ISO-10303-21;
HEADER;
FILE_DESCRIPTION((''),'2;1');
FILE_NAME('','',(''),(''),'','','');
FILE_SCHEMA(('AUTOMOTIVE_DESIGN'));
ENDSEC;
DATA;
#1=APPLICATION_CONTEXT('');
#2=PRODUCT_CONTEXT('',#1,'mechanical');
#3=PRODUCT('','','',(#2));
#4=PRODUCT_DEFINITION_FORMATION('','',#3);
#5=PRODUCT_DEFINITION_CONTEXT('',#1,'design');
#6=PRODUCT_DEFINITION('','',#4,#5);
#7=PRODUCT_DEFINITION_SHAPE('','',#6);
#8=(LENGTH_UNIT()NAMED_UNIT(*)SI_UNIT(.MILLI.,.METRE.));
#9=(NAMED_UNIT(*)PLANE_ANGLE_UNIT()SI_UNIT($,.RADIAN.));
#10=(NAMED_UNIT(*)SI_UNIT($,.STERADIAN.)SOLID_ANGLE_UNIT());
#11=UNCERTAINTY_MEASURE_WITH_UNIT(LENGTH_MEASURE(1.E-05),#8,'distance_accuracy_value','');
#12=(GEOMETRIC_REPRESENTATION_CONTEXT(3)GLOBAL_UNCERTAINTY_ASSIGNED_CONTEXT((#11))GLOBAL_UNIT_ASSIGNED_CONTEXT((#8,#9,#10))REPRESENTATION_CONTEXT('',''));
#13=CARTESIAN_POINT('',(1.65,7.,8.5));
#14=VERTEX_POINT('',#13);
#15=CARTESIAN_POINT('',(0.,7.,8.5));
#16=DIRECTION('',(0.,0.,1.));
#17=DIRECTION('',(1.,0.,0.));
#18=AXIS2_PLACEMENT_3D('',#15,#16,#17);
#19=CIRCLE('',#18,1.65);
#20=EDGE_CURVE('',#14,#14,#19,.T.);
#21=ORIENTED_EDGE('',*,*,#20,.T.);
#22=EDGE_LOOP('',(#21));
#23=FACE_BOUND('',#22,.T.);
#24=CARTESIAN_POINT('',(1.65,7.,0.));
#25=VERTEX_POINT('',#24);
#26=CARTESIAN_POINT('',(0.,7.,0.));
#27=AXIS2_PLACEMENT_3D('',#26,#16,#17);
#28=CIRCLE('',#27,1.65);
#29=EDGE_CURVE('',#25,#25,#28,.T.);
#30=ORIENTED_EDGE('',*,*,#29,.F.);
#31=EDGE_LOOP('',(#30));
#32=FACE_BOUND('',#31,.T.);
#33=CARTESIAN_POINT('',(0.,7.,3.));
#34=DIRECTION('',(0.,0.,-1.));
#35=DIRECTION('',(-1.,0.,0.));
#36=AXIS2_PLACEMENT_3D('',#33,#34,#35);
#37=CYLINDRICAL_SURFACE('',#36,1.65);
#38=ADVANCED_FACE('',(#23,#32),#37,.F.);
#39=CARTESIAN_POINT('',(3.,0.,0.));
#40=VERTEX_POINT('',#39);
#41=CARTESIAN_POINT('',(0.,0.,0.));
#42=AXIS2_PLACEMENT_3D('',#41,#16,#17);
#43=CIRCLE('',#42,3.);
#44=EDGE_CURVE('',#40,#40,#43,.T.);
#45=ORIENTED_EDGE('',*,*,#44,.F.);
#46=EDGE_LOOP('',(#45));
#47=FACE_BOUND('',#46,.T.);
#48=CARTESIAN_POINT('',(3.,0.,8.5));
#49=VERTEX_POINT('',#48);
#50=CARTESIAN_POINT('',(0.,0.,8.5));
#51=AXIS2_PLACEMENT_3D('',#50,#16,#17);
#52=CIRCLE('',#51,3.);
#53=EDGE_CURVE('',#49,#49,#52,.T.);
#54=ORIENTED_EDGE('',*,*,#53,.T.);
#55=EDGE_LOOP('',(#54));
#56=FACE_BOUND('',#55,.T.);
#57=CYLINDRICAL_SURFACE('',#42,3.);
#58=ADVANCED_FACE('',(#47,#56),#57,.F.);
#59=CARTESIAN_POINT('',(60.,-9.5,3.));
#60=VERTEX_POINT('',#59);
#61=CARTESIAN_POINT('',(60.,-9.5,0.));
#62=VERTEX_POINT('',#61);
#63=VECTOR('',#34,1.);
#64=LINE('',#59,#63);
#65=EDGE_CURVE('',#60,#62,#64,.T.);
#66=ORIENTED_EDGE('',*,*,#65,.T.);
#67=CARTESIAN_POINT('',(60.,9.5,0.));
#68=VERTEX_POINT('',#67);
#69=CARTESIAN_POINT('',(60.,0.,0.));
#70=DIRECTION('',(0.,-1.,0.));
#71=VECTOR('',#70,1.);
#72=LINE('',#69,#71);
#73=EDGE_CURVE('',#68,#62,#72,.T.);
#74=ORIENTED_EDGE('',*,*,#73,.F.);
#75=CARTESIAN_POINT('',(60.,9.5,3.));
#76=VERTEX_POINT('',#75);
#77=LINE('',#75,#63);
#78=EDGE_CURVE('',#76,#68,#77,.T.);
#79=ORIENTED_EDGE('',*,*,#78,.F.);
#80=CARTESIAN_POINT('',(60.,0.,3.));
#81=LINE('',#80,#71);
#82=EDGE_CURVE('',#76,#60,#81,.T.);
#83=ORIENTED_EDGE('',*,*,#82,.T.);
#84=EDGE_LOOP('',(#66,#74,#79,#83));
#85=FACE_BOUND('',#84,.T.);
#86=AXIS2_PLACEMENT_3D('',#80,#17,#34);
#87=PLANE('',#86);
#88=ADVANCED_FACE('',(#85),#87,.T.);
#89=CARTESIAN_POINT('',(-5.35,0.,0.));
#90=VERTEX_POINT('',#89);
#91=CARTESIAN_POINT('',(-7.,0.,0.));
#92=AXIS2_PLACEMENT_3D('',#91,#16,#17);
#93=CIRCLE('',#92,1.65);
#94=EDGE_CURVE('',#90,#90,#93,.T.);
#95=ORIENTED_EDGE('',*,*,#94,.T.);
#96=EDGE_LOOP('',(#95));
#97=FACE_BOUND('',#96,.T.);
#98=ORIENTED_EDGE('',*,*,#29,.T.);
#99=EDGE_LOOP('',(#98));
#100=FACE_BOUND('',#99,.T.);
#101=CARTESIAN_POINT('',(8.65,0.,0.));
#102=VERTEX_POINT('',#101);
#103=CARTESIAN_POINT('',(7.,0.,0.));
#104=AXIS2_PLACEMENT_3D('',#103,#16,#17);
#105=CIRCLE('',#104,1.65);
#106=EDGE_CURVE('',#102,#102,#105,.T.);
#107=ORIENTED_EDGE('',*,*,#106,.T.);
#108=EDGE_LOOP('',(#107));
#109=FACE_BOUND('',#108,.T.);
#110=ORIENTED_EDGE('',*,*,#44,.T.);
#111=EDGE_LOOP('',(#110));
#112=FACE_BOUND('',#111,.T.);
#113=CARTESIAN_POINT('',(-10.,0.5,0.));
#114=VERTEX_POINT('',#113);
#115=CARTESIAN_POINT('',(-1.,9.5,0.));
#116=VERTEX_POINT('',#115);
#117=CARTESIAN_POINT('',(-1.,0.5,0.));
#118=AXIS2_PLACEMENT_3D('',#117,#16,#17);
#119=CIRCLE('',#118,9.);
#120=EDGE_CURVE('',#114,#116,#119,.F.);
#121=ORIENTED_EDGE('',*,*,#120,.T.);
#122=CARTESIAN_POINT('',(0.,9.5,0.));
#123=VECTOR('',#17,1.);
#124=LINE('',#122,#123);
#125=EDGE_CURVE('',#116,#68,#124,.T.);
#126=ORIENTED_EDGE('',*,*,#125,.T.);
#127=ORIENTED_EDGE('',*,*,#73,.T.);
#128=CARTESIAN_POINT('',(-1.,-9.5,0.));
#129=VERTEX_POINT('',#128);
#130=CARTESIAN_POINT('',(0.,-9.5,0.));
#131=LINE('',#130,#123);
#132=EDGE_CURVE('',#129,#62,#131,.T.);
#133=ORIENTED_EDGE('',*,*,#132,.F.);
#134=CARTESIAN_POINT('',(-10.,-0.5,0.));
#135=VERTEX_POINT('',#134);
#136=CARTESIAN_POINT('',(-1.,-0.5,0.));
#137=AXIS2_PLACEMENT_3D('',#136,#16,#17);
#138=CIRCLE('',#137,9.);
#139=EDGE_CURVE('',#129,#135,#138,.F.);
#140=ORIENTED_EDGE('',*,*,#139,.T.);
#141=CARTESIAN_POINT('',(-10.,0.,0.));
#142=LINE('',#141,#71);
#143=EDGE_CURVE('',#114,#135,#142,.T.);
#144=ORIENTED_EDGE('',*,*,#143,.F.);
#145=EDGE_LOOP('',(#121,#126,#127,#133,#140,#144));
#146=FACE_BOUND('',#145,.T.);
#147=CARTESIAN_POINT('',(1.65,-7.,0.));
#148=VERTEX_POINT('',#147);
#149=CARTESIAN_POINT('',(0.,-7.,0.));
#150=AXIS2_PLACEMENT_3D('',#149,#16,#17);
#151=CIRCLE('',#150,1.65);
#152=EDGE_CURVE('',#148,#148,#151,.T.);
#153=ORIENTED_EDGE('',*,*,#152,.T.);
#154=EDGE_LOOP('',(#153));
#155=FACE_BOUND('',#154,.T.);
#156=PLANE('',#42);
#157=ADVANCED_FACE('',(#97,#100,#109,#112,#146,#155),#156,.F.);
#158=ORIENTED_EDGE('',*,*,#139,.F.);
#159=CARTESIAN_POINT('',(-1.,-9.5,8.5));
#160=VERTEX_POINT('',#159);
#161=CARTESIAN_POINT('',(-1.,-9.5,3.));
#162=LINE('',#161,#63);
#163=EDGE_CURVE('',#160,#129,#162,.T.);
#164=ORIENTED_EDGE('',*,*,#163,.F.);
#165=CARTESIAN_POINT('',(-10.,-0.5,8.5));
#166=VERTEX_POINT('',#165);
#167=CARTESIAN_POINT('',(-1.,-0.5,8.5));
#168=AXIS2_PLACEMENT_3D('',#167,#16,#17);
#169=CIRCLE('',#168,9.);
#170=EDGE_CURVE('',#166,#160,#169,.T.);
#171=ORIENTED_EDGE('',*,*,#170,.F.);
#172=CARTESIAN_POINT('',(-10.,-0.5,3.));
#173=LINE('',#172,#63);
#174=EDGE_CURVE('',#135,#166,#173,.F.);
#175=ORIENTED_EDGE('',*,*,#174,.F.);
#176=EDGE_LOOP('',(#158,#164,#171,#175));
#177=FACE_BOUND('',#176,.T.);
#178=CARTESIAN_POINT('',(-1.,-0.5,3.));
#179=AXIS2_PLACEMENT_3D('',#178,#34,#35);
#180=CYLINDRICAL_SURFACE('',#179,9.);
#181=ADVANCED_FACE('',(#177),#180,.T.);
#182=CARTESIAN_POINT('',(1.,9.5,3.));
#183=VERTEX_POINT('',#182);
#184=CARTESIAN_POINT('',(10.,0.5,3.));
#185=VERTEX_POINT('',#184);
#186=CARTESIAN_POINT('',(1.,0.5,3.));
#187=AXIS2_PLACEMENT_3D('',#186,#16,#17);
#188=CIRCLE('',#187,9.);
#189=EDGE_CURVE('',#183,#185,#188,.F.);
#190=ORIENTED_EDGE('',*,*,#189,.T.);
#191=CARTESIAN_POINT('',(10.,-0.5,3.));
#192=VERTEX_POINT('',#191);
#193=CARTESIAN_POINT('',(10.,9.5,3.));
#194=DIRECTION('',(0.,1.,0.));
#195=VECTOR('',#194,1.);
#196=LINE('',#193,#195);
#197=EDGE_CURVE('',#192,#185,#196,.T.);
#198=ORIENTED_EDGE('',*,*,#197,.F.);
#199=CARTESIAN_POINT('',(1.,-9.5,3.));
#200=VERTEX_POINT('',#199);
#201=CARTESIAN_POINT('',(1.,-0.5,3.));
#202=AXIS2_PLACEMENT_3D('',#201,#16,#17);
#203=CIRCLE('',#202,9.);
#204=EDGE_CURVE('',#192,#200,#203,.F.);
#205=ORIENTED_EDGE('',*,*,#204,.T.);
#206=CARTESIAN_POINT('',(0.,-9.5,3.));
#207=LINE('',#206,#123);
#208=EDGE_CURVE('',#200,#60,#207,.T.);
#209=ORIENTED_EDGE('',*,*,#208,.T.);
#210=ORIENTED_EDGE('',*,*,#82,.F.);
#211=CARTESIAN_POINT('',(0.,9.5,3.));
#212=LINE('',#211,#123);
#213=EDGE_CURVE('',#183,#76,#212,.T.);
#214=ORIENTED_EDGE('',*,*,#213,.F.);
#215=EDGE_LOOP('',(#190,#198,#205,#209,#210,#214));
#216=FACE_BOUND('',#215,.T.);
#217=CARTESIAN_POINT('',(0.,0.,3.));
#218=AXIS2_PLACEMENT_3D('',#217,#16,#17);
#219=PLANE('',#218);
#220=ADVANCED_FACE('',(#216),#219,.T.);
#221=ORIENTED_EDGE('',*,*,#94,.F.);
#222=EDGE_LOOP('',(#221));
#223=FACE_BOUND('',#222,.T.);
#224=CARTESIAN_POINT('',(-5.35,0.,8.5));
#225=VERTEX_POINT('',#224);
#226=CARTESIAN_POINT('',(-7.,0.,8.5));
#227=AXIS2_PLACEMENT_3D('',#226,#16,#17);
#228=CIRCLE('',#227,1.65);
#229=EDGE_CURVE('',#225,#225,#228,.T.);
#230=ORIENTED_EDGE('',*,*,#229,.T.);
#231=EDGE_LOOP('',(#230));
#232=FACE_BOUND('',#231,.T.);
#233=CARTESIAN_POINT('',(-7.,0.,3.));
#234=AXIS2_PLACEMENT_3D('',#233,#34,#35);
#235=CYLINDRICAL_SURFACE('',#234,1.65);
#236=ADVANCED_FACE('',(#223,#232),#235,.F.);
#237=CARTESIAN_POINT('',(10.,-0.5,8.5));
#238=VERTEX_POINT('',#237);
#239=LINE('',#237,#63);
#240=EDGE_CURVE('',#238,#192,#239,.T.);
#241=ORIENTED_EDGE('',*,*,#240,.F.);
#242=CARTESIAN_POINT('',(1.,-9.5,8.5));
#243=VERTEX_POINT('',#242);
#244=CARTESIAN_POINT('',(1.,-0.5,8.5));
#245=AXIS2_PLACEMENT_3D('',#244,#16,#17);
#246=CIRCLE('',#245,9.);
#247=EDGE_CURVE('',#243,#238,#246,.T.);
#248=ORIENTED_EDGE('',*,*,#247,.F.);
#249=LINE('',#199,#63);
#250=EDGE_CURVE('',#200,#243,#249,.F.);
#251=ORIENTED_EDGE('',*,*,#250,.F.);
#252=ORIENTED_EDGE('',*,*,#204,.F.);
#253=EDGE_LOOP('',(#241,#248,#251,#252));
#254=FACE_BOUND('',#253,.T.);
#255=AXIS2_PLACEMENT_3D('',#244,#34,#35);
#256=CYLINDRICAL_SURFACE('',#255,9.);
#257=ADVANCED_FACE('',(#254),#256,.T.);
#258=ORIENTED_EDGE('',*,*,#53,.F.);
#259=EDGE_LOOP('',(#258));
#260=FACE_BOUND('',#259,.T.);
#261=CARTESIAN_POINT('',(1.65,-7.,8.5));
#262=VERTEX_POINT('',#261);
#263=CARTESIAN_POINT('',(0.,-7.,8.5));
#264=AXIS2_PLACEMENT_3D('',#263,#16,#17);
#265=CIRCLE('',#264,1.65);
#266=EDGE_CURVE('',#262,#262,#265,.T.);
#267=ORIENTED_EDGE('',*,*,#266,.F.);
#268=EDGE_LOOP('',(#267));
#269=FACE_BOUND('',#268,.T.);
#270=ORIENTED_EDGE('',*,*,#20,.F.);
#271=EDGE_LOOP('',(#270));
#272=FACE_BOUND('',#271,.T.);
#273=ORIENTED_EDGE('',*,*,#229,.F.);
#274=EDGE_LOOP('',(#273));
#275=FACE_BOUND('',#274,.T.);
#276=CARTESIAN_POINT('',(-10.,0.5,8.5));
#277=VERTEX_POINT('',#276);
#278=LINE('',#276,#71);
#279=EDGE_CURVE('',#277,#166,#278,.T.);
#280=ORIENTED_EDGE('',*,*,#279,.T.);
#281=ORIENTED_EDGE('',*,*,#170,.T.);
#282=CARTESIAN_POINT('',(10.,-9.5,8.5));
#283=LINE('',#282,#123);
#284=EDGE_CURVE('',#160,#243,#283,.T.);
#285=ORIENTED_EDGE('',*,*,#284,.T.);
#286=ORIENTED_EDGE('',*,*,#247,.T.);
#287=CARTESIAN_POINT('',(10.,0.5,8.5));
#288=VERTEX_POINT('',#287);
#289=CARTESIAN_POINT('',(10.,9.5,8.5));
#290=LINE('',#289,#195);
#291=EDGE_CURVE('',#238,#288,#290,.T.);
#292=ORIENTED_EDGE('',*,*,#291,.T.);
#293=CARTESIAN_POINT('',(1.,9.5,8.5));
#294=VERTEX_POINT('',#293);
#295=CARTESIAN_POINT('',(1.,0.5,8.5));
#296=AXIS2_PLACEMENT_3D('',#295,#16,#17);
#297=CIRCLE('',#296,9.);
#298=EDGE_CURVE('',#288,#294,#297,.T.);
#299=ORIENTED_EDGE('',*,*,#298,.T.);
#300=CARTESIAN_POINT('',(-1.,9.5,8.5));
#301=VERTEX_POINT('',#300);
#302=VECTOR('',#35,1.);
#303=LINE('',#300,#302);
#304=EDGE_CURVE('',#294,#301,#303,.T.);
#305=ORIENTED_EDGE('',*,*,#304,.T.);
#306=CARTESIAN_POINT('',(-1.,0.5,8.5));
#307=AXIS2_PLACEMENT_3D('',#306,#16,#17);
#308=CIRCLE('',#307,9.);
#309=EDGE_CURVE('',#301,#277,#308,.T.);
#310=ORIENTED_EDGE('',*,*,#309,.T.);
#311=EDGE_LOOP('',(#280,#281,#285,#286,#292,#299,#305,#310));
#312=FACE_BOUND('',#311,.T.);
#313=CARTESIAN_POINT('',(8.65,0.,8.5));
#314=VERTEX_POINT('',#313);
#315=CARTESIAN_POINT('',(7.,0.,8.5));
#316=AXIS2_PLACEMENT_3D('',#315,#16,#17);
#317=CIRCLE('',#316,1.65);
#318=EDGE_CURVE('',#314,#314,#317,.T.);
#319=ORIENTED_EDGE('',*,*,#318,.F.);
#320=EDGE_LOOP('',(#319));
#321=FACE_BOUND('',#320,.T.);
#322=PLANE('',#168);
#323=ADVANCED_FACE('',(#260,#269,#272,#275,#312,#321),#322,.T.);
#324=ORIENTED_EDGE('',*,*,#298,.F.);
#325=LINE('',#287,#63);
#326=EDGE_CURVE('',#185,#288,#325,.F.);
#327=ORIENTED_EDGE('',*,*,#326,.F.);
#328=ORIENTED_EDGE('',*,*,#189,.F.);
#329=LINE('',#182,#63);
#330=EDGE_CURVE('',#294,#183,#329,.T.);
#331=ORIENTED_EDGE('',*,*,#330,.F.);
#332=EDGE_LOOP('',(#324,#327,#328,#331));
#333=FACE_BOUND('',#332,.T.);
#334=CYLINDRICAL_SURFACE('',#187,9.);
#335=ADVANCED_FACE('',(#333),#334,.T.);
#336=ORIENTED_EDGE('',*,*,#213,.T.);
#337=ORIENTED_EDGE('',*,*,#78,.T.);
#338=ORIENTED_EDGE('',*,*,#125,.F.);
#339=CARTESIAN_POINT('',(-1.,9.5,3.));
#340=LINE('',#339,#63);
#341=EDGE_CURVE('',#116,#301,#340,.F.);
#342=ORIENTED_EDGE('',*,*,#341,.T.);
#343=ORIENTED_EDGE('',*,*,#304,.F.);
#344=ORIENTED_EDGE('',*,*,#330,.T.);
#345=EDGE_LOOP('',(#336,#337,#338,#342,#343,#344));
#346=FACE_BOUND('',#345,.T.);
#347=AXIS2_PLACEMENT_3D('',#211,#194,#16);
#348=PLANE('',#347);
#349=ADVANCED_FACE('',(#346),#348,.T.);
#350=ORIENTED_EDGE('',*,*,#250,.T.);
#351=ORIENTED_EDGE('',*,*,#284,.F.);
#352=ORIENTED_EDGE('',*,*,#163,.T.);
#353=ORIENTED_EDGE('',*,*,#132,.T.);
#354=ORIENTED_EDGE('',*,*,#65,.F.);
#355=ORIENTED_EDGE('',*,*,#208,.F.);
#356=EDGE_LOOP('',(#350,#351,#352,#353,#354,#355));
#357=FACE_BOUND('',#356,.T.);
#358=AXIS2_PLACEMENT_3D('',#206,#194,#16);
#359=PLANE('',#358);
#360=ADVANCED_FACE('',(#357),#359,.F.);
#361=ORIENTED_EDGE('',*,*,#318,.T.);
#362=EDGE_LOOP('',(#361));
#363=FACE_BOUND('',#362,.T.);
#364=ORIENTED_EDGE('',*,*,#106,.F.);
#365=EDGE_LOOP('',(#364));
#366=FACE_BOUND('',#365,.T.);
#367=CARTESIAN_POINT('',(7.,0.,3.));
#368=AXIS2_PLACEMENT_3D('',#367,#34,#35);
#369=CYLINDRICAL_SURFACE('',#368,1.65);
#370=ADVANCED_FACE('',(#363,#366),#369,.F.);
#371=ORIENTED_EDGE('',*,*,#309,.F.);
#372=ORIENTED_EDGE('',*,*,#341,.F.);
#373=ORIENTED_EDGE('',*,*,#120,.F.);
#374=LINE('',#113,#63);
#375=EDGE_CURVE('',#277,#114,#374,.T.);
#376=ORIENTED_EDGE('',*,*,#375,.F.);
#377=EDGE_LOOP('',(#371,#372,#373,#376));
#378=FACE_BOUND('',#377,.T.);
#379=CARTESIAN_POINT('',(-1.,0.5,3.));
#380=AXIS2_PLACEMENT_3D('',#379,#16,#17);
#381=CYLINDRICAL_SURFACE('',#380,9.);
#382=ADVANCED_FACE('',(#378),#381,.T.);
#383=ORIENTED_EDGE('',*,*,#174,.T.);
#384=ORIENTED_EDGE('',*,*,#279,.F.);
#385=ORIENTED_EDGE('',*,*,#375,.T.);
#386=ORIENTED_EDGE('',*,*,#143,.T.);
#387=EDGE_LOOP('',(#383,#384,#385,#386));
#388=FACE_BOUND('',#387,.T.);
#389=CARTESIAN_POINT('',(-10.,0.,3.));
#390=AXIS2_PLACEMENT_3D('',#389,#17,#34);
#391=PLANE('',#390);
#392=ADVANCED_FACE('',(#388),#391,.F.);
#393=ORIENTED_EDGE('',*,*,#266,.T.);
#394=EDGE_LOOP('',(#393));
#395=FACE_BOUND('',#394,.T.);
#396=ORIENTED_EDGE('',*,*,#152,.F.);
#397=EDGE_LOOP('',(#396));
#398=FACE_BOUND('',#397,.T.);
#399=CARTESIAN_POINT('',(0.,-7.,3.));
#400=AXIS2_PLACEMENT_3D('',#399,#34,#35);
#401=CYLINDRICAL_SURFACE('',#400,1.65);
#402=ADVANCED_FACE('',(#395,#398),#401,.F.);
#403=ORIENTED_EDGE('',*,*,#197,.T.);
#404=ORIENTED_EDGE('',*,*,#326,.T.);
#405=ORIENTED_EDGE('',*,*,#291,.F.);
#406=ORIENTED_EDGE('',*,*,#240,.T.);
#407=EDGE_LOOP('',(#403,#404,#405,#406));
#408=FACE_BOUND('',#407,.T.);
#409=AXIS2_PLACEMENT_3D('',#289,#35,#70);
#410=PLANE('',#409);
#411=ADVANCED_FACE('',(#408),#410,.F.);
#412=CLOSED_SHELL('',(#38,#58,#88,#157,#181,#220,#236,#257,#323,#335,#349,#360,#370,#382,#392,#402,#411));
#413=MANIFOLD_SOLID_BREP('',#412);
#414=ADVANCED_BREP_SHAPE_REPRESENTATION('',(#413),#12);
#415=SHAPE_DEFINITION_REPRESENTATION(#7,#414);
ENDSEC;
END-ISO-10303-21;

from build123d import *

# Parameters (mm, degrees)
SKETCH1_W           = 70
SKETCH1_H           = 19
SKETCH1_R           = 1.65
BOSS_EXTRUDE1_DEPTH = 3
SKETCH2_R           = 3
CUT_EXTRUDE1_DEPTH  = 3
FILLET2_R           = 9
SKETCH3_R           = 1.65
SKETCH3_R_2         = 3
BOSS_EXTRUDE2_DEPTH = 5.5
FILLET3_R           = 9


with BuildPart() as part:
    # Sketch1 → Boss-Extrude1 (new body)
    with BuildSketch(Plane.XY):
        with Locations((25, 0)):
            Rectangle(SKETCH1_W, SKETCH1_H)
        with Locations((0, 7)):
            Circle(SKETCH1_R, mode=Mode.SUBTRACT)
        with Locations((7, 0)):
            Circle(SKETCH1_R, mode=Mode.SUBTRACT)
        with Locations((0, -7)):
            Circle(SKETCH1_R, mode=Mode.SUBTRACT)
        with Locations((-7, 0)):
            Circle(SKETCH1_R, mode=Mode.SUBTRACT)
    extrude(amount=BOSS_EXTRUDE1_DEPTH)

    # Sketch2 → Cut-Extrude1 (cut)
    with BuildSketch(Plane.XY.offset(3)):
        Circle(SKETCH2_R)
    extrude(amount=-CUT_EXTRUDE1_DEPTH, mode=Mode.SUBTRACT)

    # Fillet2
    fillet2_edges = [part.edges().sort_by_distance(p)[0] for p in [
        (-10, -9.5, 1.5),
        (-10, 9.5, 1.5),
    ]]
    fillet(fillet2_edges, radius=FILLET2_R)

    # Sketch3 → Boss-Extrude2 (add)
    with BuildSketch(Plane.XY.offset(3)):
        with BuildLine():
            Line((-10, 0.5), (-10, -0.5))
            ThreePointArc((-10, -0.5), (-7.363961031, -6.863961031), (-1, -9.5))
            Line((-1, -9.5), (10, -9.5))
            Line((10, -9.5), (10, 9.5))
            Line((10, 9.5), (-1, 9.5))
            ThreePointArc((-1, 9.5), (-7.363961031, 6.863961031), (-10, 0.5))
        make_face()
        with Locations((0, 7)):
            Circle(SKETCH3_R, mode=Mode.SUBTRACT)
        with Locations((-7, 0)):
            Circle(SKETCH3_R, mode=Mode.SUBTRACT)
        with Locations((0, -7)):
            Circle(SKETCH3_R, mode=Mode.SUBTRACT)
        Circle(SKETCH3_R_2, mode=Mode.SUBTRACT)
        with Locations((7, 0)):
            Circle(SKETCH3_R, mode=Mode.SUBTRACT)
    extrude(amount=BOSS_EXTRUDE2_DEPTH)

    # Fillet3
    fillet3_edges = [part.edges().sort_by_distance(p)[0] for p in [
        (10, -9.5, 5.75),
        (10, 9.5, 5.75),
    ]]
    fillet(fillet3_edges, radius=FILLET3_R)


solid = part.part
